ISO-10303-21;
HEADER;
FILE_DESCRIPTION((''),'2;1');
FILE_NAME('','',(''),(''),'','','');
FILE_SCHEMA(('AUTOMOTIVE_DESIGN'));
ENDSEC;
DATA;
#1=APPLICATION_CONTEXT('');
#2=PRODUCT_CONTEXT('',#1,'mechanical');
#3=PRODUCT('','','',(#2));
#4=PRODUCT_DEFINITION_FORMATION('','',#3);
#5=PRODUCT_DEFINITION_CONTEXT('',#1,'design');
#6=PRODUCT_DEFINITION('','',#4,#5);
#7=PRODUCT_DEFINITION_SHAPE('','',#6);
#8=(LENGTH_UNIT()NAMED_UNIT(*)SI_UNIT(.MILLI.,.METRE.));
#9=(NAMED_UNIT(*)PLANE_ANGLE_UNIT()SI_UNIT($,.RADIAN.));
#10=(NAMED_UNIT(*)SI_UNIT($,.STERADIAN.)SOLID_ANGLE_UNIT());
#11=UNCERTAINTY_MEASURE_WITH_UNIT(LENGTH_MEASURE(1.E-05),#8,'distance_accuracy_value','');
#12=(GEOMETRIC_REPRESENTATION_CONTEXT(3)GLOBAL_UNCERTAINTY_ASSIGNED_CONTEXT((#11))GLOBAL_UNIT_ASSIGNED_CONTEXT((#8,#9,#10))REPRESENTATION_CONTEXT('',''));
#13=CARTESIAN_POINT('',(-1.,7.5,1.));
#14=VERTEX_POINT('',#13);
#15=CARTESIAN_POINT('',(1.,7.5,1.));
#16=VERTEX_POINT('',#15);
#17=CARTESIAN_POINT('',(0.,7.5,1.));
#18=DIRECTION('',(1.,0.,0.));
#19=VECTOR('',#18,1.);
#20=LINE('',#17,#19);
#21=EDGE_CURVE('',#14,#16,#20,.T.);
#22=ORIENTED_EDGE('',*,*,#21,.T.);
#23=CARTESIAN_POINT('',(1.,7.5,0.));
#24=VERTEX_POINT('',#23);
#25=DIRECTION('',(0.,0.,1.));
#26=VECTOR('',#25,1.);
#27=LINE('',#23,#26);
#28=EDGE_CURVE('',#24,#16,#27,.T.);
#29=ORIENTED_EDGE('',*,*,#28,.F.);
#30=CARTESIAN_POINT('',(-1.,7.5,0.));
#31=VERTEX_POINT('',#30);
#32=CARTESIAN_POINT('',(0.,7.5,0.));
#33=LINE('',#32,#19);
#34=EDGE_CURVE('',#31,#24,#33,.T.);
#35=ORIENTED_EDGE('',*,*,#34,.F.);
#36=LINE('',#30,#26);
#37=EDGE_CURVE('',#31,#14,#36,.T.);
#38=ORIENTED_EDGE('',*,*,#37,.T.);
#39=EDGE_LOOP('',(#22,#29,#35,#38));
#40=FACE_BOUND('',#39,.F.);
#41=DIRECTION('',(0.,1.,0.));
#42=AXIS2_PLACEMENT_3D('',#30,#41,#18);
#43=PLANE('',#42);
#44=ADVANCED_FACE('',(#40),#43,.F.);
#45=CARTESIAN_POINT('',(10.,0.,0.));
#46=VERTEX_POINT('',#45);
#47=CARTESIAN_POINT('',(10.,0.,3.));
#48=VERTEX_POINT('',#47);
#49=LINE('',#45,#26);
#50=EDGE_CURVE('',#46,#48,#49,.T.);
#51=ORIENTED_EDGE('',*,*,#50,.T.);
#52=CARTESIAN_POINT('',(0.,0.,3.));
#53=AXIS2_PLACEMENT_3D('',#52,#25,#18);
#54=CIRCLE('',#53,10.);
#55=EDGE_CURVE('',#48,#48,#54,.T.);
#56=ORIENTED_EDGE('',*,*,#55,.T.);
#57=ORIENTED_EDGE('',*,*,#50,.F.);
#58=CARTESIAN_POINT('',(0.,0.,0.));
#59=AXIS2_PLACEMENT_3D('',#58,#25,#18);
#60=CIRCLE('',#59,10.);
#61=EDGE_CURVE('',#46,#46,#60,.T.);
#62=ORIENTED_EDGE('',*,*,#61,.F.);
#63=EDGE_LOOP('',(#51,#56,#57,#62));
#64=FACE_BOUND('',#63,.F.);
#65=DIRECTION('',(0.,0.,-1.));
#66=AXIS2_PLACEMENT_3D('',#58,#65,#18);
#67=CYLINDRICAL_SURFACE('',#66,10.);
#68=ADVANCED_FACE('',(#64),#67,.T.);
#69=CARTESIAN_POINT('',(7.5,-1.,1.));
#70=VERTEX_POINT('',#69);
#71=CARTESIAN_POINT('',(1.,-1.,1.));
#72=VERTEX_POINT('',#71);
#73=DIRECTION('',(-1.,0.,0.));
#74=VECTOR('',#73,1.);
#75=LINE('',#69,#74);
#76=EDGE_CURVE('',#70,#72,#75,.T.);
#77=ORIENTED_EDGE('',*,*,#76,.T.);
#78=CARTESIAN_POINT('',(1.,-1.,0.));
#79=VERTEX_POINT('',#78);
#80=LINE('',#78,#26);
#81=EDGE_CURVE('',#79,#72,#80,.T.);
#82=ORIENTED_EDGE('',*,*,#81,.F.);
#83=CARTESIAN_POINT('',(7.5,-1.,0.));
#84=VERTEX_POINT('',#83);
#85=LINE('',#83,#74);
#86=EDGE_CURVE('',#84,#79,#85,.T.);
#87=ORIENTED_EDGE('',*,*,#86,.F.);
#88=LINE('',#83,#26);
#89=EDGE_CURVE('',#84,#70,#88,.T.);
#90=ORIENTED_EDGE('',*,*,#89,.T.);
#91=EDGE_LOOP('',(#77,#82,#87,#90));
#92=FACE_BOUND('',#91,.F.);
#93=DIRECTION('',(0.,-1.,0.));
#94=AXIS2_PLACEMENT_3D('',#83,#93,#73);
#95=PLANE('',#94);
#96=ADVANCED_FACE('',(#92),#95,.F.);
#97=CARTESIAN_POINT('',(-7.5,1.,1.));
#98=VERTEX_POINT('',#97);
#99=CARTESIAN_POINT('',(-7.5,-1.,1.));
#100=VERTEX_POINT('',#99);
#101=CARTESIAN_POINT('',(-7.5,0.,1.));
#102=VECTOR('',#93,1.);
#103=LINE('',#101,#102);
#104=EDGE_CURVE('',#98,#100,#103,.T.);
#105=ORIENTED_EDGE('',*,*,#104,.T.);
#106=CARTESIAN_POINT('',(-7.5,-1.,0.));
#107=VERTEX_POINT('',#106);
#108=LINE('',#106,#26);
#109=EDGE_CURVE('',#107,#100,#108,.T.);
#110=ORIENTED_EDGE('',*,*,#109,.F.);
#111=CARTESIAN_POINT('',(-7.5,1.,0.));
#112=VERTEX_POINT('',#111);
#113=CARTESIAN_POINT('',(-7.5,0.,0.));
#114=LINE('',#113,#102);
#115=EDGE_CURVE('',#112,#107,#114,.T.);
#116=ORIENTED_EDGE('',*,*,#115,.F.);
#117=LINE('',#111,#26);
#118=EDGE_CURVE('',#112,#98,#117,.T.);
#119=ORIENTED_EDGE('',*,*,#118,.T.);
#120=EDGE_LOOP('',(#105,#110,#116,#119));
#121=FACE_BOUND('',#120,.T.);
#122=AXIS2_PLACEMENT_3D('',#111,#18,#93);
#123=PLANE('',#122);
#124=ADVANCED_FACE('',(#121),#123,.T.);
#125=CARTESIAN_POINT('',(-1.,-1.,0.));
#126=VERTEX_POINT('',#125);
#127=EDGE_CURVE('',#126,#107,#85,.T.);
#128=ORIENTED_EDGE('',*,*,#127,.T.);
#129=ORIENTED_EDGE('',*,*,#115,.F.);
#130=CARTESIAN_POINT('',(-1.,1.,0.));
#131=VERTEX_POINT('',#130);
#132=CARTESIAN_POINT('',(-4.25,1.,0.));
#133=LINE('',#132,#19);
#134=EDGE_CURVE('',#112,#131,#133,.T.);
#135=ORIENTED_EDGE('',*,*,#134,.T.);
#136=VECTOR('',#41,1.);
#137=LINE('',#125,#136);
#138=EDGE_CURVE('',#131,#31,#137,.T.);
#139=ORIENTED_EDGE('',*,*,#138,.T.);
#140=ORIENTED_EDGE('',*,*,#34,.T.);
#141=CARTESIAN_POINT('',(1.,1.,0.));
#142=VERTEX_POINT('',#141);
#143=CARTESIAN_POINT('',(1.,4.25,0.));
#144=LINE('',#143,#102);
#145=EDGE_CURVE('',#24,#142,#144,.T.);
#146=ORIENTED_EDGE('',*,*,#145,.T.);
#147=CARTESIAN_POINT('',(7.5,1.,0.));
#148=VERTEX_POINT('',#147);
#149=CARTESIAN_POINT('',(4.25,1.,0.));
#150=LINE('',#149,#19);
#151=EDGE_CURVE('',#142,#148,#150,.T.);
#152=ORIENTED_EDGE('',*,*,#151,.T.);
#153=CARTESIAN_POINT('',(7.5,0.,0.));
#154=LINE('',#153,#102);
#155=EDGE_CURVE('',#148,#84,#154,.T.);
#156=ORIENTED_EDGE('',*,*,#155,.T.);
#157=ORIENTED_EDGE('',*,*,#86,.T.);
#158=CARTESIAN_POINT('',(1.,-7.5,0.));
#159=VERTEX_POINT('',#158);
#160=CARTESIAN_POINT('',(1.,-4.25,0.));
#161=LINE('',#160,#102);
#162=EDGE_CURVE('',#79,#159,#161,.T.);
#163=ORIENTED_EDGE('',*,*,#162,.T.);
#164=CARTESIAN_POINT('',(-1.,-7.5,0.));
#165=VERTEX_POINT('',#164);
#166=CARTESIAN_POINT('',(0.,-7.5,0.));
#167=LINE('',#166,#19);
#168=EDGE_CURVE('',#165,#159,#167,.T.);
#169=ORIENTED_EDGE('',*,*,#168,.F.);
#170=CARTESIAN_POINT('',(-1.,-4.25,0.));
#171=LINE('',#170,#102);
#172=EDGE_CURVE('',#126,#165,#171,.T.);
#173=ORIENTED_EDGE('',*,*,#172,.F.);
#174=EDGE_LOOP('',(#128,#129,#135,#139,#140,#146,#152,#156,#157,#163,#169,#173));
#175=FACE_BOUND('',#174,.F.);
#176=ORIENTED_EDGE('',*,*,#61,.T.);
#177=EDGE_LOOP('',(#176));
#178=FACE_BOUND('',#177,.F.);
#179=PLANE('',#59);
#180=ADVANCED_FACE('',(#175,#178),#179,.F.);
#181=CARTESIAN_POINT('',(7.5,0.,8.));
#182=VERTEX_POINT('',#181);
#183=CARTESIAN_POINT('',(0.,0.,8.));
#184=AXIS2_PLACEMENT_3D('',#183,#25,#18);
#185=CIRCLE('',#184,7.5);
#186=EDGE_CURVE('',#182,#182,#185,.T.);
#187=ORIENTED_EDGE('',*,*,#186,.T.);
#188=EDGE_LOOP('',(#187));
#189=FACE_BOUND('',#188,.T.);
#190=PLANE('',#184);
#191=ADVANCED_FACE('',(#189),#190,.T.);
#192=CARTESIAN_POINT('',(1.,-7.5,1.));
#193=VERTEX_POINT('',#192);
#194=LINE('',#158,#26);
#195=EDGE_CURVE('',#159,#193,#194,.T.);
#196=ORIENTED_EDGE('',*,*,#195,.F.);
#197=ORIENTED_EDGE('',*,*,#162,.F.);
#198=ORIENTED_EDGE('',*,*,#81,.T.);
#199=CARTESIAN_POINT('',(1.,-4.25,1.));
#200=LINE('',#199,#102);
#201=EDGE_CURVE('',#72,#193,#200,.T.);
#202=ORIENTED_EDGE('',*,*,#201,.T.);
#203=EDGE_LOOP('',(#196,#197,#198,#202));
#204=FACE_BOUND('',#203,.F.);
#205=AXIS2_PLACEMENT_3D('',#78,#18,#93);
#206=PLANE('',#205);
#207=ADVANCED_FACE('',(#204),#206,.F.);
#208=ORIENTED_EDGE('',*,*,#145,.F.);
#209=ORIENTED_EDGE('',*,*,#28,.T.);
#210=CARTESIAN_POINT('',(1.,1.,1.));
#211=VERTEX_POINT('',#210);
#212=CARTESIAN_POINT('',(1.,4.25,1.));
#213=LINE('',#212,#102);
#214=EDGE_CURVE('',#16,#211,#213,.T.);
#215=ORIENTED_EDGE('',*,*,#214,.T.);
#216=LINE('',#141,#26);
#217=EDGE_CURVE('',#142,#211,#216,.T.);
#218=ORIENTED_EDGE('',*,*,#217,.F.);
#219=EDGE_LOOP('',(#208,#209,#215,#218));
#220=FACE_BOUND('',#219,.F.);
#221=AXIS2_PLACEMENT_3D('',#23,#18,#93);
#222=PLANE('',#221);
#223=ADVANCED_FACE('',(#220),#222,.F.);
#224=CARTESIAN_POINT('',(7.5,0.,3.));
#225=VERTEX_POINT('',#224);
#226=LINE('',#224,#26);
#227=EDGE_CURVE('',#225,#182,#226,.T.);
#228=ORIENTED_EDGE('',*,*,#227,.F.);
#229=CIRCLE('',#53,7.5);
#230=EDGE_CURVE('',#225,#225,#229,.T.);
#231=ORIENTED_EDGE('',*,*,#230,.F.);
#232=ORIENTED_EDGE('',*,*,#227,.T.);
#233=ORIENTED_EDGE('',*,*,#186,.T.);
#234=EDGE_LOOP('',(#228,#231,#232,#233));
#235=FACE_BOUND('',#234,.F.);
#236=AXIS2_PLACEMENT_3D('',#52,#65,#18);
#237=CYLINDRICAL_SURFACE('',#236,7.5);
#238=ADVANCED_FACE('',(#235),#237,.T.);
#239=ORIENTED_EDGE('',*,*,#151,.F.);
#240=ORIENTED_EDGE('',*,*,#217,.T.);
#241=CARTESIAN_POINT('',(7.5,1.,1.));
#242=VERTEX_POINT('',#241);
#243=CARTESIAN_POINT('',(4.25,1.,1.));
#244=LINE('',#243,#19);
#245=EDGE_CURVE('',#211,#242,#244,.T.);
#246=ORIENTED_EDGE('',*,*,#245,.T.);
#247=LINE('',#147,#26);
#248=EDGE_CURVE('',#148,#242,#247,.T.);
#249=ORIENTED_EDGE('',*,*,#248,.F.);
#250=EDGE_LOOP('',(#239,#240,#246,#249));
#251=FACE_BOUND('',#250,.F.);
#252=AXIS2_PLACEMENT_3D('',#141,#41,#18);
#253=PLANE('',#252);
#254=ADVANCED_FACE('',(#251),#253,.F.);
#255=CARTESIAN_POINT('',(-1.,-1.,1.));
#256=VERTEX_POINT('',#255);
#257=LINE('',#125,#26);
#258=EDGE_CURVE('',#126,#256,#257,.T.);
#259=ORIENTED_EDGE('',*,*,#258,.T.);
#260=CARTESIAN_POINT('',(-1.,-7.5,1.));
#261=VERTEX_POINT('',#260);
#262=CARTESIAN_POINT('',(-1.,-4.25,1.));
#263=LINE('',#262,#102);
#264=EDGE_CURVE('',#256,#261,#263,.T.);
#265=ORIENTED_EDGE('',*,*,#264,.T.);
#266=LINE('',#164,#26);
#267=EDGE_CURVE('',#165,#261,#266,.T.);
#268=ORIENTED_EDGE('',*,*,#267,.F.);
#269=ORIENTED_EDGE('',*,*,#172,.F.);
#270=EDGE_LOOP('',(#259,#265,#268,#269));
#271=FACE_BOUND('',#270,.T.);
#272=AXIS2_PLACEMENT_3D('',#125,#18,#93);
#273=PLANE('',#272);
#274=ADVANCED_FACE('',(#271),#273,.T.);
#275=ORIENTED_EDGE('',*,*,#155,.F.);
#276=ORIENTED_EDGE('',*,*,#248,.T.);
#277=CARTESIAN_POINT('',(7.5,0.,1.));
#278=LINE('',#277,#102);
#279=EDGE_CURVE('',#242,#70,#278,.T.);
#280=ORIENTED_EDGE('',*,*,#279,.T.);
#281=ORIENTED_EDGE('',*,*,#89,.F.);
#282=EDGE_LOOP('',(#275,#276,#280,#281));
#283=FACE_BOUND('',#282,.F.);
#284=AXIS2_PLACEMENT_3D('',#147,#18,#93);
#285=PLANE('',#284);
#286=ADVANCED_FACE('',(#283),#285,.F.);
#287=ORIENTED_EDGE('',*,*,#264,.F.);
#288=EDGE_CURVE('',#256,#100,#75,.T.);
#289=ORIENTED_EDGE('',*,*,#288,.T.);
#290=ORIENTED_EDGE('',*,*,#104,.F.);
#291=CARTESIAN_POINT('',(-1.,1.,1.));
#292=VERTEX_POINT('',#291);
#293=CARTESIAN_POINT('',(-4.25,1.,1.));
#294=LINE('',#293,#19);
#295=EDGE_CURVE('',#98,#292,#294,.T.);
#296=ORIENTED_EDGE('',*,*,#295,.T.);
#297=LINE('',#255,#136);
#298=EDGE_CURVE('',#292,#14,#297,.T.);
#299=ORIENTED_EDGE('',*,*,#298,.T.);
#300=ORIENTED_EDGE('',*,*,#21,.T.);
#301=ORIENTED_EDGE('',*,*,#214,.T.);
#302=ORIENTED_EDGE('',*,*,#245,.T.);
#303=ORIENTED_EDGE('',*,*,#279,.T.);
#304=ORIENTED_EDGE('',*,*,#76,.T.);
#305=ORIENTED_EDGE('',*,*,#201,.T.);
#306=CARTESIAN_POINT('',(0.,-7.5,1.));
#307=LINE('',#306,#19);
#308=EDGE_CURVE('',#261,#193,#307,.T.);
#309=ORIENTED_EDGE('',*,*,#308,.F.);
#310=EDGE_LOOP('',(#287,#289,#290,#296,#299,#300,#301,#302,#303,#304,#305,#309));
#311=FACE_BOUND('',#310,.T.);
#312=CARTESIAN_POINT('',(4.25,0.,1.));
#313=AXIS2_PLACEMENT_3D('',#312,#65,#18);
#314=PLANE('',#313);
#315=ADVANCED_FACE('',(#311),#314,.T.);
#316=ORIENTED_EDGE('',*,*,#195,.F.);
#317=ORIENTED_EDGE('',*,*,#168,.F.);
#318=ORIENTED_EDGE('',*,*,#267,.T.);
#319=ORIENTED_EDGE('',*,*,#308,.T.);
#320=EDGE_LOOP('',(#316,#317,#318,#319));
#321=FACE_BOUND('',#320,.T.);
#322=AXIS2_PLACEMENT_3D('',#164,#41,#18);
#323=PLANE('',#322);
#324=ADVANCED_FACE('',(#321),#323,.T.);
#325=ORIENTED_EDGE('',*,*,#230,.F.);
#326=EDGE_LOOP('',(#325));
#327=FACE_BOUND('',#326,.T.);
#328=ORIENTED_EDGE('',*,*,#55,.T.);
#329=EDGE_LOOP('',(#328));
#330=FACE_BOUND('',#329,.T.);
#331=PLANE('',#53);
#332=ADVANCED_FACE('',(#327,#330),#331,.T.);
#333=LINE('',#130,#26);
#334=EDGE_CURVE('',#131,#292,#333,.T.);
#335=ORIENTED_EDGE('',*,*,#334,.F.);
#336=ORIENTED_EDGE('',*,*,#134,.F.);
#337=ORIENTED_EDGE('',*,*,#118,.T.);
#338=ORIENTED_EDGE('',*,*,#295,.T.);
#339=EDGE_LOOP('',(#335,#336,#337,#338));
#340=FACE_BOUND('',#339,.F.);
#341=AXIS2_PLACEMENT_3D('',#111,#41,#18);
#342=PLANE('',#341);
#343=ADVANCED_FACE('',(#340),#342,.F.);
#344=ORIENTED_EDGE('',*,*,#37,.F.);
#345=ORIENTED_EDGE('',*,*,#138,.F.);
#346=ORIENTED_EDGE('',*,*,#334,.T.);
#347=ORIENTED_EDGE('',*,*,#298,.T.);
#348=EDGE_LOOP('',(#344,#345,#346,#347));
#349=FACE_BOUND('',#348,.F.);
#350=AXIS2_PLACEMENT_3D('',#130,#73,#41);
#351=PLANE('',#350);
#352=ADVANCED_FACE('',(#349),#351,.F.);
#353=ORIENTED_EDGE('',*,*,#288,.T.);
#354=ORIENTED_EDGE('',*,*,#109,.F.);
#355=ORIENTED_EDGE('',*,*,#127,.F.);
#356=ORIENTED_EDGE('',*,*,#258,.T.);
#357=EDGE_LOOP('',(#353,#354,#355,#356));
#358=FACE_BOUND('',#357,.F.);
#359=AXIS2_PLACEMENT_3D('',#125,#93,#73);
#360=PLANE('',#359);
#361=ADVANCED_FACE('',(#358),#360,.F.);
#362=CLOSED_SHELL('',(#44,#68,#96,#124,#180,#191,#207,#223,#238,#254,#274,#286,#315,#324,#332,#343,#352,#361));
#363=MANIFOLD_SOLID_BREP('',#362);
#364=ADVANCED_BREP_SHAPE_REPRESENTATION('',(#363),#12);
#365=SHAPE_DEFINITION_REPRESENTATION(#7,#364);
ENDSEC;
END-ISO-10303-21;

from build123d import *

# Parameters (mm, degrees)
F0_R     = 10
F1_DEPTH = 3
F2_R     = 7.5
F3_DEPTH = 5
F4_W     = 6.5
F4_H     = 2
F4_W_2   = 2
F4_H_2   = 6.5
F5_DEPTH = 1


with BuildPart() as f1:
    # F0 (on Top) → F1 (new body)
    with BuildSketch(Plane.XY):
        Circle(F0_R)
    extrude(amount=F1_DEPTH)

    # F2 (on face) → F3 (join)
    with BuildSketch(Plane.XY.offset(3)):
        Circle(F2_R)
    extrude(amount=F3_DEPTH)

    # F4 (on face) → F5 (cut)
    with BuildSketch(Plane(origin=(0, 0, 0), x_dir=(1, 0, 0), z_dir=(0, 0, -1))):
        with Locations((4.25, 0)):
            Rectangle(F4_W, F4_H)
        with Locations((0, -4.25)):
            Rectangle(F4_W_2, F4_H_2)
        Rectangle(F4_W_2, F4_H)
        with Locations((-4.25, 0)):
            Rectangle(F4_W, F4_H)
        with Locations((0, 4.25)):
            Rectangle(F4_W_2, F4_H_2)
    extrude(amount=-F5_DEPTH, mode=Mode.SUBTRACT)


solid = f1.part
